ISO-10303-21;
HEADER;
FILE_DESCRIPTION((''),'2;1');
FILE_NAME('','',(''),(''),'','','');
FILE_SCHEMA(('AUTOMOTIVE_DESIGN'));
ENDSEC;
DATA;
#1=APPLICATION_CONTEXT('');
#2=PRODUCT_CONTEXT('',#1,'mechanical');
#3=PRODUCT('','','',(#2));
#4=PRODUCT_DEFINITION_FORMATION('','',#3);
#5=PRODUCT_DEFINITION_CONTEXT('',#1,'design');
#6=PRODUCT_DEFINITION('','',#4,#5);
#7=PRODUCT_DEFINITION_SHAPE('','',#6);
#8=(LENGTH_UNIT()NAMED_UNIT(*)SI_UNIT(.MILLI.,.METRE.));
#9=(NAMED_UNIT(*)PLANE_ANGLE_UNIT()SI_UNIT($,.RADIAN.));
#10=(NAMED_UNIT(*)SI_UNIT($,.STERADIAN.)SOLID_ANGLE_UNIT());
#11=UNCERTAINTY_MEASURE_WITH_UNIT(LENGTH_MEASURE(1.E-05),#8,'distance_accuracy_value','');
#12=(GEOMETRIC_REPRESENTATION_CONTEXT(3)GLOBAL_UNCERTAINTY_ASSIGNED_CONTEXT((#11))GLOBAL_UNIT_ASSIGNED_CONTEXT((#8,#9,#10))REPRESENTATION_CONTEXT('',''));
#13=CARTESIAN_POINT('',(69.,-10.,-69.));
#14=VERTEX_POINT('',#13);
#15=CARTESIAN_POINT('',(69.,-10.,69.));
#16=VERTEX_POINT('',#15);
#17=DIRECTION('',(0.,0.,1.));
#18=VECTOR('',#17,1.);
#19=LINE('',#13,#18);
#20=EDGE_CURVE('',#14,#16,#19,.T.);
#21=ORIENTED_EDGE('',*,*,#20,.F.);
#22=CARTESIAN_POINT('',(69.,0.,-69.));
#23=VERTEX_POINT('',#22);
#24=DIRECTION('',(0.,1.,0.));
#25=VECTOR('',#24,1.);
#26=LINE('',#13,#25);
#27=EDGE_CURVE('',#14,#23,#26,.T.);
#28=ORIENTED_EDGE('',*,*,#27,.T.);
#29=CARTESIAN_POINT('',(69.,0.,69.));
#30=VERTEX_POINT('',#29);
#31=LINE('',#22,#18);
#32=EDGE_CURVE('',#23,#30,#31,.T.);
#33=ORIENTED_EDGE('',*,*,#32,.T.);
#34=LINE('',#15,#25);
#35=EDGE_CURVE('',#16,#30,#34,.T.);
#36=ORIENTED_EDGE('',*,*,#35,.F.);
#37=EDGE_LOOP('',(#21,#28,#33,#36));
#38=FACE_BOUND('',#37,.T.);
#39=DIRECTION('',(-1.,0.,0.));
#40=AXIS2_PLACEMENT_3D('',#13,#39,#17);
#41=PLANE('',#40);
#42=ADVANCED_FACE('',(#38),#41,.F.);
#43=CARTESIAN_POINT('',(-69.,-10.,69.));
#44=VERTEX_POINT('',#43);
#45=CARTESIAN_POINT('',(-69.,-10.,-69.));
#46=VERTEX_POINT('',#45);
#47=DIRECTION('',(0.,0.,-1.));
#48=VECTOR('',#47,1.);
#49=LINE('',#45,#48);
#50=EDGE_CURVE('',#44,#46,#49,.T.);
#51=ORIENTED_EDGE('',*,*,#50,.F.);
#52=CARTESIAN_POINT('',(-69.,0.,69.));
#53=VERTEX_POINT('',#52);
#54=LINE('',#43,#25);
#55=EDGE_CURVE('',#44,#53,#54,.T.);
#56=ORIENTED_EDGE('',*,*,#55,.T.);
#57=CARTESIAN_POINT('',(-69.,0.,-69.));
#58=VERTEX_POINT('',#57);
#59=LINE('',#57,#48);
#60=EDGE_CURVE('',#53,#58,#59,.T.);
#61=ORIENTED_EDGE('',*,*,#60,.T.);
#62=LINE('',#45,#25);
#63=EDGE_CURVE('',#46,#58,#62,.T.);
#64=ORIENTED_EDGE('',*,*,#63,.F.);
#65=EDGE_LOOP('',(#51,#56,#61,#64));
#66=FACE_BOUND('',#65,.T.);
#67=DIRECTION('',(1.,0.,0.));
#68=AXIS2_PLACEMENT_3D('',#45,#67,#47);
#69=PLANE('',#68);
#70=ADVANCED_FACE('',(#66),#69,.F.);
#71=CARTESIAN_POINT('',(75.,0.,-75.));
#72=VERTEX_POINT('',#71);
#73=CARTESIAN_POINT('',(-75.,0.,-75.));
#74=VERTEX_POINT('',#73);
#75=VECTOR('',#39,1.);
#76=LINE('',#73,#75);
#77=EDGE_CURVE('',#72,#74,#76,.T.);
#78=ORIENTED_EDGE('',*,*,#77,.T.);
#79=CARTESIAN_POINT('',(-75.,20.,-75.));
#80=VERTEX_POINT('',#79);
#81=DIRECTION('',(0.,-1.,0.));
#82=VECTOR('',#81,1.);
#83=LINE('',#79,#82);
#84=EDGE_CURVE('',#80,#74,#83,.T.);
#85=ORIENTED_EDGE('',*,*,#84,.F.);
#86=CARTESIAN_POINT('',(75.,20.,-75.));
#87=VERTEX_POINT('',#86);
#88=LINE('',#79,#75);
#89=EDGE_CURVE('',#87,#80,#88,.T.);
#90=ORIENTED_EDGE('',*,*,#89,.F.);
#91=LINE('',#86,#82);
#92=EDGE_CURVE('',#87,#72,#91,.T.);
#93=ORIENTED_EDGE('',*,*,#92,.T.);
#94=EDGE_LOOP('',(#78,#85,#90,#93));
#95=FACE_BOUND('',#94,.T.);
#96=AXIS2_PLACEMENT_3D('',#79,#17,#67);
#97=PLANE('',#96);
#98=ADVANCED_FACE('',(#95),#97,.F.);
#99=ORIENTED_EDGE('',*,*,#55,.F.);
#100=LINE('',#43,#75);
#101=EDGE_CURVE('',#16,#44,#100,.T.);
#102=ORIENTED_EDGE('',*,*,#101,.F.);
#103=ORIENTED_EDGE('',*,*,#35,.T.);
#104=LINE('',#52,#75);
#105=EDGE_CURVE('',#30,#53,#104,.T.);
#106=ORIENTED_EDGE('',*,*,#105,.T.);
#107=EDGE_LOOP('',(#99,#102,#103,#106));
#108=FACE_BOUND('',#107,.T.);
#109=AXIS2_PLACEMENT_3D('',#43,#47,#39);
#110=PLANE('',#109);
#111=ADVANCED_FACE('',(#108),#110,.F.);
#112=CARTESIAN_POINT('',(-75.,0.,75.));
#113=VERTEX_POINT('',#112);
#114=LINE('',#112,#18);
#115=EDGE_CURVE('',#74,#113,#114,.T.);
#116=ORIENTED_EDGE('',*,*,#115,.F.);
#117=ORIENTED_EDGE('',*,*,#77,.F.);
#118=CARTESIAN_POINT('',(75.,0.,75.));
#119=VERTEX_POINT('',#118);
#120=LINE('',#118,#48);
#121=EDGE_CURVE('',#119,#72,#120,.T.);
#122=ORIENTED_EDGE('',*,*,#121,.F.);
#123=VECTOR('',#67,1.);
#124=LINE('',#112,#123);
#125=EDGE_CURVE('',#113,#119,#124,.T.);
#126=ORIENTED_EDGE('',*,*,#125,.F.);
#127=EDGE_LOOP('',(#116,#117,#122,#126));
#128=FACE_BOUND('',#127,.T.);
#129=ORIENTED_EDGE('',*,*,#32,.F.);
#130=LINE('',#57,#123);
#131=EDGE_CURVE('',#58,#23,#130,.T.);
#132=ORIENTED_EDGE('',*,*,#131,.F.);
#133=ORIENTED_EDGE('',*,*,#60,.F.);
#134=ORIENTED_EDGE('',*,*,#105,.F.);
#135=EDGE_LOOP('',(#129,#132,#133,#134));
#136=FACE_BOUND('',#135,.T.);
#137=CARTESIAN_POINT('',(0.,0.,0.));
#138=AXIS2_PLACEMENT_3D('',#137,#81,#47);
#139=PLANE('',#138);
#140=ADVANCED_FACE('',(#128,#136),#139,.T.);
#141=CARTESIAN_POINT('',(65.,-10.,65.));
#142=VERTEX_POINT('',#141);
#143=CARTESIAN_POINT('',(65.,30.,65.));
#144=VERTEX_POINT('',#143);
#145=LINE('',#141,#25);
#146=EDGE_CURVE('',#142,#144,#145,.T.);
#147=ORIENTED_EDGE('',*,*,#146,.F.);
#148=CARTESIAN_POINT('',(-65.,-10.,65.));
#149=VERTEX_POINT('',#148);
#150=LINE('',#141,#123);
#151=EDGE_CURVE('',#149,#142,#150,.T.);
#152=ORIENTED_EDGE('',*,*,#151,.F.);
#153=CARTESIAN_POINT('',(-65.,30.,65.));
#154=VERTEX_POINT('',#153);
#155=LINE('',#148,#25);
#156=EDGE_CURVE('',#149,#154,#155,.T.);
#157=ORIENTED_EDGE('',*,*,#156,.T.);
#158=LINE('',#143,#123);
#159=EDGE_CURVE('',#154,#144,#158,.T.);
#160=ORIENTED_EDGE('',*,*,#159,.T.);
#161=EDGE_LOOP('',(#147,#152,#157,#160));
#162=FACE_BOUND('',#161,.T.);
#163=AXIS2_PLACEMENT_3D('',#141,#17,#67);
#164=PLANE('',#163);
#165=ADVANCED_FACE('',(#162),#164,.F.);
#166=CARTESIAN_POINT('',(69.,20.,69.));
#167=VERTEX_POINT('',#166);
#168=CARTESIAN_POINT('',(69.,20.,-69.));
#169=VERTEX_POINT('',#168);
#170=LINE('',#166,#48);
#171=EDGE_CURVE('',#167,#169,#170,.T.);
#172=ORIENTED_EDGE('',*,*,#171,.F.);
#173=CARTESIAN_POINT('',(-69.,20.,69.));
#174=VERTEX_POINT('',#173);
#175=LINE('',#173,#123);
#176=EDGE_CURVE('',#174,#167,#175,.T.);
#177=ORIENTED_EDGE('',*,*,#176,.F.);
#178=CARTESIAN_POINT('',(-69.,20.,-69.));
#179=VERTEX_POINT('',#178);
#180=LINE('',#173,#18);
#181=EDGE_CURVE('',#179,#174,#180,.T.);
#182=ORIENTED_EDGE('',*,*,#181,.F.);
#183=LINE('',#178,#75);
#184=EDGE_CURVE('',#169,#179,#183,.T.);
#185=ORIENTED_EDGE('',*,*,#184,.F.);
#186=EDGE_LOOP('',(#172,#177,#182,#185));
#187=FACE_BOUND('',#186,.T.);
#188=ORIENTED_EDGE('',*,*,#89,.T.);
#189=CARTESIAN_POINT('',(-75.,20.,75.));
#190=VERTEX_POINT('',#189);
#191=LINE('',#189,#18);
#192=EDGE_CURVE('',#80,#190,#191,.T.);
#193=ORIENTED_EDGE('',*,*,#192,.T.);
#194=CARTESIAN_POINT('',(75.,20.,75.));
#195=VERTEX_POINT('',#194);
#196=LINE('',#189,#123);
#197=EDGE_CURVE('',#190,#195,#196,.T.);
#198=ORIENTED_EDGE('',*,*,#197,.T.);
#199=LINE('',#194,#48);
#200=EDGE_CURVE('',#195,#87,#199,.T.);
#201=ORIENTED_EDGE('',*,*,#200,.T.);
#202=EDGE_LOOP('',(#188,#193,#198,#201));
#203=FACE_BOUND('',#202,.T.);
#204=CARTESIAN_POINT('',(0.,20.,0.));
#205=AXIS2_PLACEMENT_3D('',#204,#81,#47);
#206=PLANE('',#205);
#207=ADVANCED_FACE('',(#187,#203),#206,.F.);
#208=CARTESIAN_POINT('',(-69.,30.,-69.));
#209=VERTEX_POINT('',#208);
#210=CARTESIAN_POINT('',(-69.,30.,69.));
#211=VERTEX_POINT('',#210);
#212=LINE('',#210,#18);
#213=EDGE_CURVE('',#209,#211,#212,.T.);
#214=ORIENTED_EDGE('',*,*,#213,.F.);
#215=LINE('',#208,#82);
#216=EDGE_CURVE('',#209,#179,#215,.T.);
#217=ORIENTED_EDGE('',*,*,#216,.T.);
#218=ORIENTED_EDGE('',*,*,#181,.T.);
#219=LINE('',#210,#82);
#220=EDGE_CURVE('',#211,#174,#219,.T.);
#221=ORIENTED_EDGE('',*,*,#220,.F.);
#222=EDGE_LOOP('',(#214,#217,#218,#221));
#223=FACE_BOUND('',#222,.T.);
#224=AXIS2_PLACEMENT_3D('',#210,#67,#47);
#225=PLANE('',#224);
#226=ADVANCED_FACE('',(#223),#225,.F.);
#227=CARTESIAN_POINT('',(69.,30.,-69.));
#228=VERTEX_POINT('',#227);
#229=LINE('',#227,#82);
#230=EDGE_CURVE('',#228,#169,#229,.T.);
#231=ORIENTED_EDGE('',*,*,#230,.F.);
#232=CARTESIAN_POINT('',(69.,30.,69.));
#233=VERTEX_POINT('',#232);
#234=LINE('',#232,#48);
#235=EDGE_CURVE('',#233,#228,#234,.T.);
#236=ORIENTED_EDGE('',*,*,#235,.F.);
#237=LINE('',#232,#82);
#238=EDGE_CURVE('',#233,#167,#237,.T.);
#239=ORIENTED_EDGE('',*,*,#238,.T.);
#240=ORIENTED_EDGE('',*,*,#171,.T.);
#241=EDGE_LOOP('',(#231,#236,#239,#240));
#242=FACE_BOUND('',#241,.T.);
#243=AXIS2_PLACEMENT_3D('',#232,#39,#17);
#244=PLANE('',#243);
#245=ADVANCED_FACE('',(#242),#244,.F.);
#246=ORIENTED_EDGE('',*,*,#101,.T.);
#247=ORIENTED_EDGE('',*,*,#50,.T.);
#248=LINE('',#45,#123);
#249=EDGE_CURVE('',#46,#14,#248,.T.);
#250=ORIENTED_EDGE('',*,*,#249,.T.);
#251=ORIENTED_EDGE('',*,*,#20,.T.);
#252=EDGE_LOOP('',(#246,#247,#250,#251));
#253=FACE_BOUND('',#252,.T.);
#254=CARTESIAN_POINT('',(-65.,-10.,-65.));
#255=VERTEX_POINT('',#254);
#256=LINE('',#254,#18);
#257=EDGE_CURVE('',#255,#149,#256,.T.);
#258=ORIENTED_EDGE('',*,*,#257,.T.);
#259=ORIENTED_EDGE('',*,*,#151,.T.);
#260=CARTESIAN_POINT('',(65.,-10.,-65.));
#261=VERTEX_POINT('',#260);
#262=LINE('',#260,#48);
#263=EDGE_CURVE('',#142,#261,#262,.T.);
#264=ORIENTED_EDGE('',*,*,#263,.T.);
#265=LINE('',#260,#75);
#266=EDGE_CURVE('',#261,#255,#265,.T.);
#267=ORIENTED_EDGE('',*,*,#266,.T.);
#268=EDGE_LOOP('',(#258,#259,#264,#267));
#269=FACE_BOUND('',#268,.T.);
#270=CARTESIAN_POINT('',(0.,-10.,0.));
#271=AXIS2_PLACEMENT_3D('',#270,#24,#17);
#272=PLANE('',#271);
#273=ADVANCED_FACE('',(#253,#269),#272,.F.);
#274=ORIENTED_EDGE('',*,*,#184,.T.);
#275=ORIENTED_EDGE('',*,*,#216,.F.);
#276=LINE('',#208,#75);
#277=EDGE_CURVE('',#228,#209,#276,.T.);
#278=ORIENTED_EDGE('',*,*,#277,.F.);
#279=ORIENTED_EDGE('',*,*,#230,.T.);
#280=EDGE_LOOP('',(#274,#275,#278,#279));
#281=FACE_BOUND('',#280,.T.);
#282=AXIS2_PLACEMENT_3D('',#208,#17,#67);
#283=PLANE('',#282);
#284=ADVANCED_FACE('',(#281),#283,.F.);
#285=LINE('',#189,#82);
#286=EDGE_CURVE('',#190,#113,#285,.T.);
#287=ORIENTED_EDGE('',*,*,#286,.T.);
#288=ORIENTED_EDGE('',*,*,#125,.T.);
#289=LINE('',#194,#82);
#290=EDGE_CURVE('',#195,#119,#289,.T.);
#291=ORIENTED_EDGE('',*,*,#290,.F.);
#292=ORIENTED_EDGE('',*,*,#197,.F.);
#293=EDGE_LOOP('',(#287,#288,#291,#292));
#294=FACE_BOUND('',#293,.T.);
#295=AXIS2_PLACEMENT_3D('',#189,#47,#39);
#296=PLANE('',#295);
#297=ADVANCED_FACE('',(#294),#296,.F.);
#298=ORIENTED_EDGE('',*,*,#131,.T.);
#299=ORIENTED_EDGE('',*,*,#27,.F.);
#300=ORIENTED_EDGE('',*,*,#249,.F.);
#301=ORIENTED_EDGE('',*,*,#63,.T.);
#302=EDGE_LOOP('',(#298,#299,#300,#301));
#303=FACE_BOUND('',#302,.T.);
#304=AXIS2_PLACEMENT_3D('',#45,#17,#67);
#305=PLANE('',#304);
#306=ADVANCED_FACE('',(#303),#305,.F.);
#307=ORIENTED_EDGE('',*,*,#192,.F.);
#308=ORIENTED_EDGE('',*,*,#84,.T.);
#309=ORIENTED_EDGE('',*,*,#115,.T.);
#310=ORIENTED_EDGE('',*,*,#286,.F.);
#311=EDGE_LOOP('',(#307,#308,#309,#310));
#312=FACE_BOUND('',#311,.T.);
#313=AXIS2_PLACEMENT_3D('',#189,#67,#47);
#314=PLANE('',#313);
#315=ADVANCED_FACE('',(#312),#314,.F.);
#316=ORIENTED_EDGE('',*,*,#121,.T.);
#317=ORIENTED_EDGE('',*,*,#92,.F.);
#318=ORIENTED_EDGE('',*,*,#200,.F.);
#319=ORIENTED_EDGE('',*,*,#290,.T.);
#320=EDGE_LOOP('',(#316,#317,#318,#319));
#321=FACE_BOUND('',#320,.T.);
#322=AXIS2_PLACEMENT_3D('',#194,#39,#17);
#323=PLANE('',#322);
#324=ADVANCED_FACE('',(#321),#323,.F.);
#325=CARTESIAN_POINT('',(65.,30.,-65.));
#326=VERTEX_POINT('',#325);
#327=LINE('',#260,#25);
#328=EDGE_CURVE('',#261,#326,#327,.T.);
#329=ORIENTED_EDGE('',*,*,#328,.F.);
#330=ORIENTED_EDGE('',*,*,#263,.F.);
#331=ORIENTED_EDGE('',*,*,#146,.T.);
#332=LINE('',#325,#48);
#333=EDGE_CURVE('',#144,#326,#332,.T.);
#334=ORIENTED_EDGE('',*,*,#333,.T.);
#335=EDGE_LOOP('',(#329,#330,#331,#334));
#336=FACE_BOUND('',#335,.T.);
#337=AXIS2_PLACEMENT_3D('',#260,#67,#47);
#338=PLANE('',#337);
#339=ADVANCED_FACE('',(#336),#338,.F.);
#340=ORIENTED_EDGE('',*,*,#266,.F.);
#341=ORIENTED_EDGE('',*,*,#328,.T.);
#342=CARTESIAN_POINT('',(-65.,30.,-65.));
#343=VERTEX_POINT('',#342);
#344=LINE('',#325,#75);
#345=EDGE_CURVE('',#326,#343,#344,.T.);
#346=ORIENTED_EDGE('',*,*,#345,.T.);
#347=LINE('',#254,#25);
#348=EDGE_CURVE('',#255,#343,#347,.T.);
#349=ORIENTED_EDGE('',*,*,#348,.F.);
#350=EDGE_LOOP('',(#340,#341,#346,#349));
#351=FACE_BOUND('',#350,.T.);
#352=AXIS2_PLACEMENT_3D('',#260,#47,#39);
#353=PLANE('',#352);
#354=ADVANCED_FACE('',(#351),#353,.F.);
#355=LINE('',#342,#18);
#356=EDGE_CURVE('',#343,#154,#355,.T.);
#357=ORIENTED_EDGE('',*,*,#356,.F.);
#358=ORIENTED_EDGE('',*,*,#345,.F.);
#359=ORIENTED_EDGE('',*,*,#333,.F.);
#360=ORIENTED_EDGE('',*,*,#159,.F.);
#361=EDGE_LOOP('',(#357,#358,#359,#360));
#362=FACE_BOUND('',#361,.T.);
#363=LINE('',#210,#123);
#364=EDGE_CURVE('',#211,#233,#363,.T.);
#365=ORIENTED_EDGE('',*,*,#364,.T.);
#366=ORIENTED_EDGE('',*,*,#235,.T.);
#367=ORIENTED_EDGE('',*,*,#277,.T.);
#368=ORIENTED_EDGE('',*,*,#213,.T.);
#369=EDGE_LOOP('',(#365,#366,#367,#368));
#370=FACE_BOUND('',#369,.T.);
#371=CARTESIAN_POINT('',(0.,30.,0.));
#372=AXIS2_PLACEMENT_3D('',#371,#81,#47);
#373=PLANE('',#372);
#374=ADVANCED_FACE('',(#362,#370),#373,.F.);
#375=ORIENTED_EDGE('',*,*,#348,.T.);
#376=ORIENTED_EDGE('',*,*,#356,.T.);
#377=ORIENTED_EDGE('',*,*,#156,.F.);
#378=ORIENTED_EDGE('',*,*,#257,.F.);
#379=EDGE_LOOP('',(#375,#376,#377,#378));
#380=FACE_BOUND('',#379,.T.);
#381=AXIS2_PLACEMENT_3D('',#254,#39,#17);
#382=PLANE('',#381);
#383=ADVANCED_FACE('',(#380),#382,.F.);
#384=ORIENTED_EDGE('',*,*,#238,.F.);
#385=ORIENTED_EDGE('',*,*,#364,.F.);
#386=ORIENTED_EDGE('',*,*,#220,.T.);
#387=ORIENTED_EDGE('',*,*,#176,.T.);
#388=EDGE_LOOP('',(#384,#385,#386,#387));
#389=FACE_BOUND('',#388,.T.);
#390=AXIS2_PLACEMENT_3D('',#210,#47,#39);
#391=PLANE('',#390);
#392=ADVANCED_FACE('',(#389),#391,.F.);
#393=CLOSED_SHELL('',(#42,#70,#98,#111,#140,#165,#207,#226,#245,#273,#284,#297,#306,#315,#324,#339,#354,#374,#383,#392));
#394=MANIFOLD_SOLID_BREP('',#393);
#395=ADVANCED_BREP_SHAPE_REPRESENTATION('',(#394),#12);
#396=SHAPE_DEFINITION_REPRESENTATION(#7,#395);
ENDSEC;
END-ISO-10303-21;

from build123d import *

# Parameters (mm, degrees)
SKETCH_1_W          = 150
SKETCH_1_H          = 150
EXTRUDE_1_DEPTH     = 20
SKETCH_2_W          = 138
SKETCH_2_H          = 138
EXTRUDE_2_DEPTH     = 10
SKETCH_3_W          = 138
SKETCH_3_H          = 138
EXTRUDE_3_DEPTH     = 10
SKETCH_4_W          = 130
SKETCH_4_H          = 130
CUT_EXTRUDE_1_DEPTH = 114.357840488


with BuildPart() as part:
    # Эскиз1 → Бобышка-Вытянуть1 (new body)
    with BuildSketch(Plane(origin=(0, 0, 0), x_dir=(1, 0, 0), z_dir=(0, 1, 0))):
        Rectangle(SKETCH_1_W, SKETCH_1_H)
    extrude(amount=EXTRUDE_1_DEPTH)

    # Эскиз2 → Бобышка-Вытянуть2 (add)
    with BuildSketch(Plane(origin=(0, 20, 0), x_dir=(1, 0, 0), z_dir=(0, 1, 0))):
        Rectangle(SKETCH_2_W, SKETCH_2_H)
    extrude(amount=EXTRUDE_2_DEPTH)

    # Эскиз3 → Бобышка-Вытянуть3 (add)
    with BuildSketch(Plane(origin=(0, 0, 0), x_dir=(-1, 0, 0), z_dir=(0, -1, 0))):
        Rectangle(SKETCH_3_W, SKETCH_3_H)
    extrude(amount=EXTRUDE_3_DEPTH)

    # Эскиз4 → Вырез-Вытянуть1 (cut, through all)
    with BuildSketch(Plane(origin=(0, 30, 0), x_dir=(1, 0, 0), z_dir=(0, 1, 0))):
        Rectangle(SKETCH_4_W, SKETCH_4_H)
    extrude(amount=-CUT_EXTRUDE_1_DEPTH, mode=Mode.SUBTRACT)


solid = part.part
